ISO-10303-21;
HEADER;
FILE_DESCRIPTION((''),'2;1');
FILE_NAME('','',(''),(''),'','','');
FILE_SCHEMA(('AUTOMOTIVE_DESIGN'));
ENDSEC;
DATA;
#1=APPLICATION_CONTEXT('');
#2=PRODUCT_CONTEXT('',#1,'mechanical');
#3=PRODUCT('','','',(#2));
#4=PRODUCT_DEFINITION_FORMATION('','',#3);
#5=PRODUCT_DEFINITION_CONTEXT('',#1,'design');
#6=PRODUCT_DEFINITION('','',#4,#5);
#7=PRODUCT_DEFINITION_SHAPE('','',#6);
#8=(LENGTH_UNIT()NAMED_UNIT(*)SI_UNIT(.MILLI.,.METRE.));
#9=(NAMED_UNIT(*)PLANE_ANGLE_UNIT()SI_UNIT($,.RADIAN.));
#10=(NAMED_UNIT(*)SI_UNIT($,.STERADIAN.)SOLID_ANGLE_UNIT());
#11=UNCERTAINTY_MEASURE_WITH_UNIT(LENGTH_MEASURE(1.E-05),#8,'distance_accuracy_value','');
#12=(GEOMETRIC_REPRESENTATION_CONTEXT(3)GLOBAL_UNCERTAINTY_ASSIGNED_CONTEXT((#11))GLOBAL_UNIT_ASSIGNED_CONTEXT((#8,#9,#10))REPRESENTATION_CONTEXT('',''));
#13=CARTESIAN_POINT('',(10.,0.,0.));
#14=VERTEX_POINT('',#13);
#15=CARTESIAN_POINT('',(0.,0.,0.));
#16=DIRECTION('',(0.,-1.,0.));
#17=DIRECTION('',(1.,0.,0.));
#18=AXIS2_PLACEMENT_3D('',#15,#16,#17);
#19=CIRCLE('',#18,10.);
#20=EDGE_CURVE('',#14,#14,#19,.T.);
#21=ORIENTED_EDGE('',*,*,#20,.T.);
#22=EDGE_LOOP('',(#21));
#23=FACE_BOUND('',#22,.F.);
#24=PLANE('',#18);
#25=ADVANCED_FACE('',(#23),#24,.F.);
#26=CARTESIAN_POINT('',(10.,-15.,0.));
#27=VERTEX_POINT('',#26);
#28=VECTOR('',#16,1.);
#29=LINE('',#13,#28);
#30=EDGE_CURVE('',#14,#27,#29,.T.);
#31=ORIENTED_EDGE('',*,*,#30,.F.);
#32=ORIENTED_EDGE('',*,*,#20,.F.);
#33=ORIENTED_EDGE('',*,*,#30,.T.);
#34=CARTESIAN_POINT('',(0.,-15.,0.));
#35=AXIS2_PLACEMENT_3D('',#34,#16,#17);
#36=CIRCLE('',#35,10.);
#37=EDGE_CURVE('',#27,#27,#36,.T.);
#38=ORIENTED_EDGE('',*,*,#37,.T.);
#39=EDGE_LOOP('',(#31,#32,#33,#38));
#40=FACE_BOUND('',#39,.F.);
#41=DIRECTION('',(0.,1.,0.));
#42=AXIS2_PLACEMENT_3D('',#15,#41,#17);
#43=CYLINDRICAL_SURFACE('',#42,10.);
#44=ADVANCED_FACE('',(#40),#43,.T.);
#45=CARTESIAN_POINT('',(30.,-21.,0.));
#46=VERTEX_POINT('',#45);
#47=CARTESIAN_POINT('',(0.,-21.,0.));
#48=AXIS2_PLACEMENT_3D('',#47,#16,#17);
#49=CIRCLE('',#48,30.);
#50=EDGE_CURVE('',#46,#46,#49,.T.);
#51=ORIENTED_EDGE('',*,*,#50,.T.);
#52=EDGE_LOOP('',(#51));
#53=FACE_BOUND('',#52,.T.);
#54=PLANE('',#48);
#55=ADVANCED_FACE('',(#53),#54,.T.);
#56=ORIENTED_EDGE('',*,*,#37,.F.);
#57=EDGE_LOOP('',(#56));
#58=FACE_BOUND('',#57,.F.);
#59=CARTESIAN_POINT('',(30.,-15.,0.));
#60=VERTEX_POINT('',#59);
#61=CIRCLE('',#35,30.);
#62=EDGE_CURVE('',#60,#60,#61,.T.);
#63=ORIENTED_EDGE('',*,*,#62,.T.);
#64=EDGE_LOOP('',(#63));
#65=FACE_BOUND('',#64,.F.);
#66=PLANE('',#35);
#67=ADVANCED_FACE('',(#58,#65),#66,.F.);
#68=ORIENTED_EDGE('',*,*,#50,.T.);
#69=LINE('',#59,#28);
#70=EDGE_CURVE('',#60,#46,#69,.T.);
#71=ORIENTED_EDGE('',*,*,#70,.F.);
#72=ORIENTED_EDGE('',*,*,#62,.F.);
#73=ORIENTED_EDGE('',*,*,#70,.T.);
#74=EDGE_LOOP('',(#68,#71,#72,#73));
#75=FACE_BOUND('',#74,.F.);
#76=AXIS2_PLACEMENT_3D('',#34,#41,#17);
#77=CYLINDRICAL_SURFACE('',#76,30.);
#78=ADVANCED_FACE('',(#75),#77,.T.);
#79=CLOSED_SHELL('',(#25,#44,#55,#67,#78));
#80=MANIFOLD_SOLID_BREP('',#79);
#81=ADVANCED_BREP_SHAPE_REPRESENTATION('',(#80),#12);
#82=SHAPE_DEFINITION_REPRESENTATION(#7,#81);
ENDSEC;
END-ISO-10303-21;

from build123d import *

# Parameters (mm, degrees)
SKETCH_R     = 10
PAD_DEPTH    = 15
SKETCH001_R  = 30
PAD001_DEPTH = 6


with BuildPart() as part:
    # Sketch → Pad (new body)
    with BuildSketch(Plane.XZ):
        Circle(SKETCH_R)
    extrude(amount=PAD_DEPTH)

    # Sketch001 (on Face3 of Pad) → Pad001 (join)
    with BuildSketch(Plane.XZ.offset(15)):
        Circle(SKETCH001_R)
    extrude(amount=PAD001_DEPTH)


solid = part.part
